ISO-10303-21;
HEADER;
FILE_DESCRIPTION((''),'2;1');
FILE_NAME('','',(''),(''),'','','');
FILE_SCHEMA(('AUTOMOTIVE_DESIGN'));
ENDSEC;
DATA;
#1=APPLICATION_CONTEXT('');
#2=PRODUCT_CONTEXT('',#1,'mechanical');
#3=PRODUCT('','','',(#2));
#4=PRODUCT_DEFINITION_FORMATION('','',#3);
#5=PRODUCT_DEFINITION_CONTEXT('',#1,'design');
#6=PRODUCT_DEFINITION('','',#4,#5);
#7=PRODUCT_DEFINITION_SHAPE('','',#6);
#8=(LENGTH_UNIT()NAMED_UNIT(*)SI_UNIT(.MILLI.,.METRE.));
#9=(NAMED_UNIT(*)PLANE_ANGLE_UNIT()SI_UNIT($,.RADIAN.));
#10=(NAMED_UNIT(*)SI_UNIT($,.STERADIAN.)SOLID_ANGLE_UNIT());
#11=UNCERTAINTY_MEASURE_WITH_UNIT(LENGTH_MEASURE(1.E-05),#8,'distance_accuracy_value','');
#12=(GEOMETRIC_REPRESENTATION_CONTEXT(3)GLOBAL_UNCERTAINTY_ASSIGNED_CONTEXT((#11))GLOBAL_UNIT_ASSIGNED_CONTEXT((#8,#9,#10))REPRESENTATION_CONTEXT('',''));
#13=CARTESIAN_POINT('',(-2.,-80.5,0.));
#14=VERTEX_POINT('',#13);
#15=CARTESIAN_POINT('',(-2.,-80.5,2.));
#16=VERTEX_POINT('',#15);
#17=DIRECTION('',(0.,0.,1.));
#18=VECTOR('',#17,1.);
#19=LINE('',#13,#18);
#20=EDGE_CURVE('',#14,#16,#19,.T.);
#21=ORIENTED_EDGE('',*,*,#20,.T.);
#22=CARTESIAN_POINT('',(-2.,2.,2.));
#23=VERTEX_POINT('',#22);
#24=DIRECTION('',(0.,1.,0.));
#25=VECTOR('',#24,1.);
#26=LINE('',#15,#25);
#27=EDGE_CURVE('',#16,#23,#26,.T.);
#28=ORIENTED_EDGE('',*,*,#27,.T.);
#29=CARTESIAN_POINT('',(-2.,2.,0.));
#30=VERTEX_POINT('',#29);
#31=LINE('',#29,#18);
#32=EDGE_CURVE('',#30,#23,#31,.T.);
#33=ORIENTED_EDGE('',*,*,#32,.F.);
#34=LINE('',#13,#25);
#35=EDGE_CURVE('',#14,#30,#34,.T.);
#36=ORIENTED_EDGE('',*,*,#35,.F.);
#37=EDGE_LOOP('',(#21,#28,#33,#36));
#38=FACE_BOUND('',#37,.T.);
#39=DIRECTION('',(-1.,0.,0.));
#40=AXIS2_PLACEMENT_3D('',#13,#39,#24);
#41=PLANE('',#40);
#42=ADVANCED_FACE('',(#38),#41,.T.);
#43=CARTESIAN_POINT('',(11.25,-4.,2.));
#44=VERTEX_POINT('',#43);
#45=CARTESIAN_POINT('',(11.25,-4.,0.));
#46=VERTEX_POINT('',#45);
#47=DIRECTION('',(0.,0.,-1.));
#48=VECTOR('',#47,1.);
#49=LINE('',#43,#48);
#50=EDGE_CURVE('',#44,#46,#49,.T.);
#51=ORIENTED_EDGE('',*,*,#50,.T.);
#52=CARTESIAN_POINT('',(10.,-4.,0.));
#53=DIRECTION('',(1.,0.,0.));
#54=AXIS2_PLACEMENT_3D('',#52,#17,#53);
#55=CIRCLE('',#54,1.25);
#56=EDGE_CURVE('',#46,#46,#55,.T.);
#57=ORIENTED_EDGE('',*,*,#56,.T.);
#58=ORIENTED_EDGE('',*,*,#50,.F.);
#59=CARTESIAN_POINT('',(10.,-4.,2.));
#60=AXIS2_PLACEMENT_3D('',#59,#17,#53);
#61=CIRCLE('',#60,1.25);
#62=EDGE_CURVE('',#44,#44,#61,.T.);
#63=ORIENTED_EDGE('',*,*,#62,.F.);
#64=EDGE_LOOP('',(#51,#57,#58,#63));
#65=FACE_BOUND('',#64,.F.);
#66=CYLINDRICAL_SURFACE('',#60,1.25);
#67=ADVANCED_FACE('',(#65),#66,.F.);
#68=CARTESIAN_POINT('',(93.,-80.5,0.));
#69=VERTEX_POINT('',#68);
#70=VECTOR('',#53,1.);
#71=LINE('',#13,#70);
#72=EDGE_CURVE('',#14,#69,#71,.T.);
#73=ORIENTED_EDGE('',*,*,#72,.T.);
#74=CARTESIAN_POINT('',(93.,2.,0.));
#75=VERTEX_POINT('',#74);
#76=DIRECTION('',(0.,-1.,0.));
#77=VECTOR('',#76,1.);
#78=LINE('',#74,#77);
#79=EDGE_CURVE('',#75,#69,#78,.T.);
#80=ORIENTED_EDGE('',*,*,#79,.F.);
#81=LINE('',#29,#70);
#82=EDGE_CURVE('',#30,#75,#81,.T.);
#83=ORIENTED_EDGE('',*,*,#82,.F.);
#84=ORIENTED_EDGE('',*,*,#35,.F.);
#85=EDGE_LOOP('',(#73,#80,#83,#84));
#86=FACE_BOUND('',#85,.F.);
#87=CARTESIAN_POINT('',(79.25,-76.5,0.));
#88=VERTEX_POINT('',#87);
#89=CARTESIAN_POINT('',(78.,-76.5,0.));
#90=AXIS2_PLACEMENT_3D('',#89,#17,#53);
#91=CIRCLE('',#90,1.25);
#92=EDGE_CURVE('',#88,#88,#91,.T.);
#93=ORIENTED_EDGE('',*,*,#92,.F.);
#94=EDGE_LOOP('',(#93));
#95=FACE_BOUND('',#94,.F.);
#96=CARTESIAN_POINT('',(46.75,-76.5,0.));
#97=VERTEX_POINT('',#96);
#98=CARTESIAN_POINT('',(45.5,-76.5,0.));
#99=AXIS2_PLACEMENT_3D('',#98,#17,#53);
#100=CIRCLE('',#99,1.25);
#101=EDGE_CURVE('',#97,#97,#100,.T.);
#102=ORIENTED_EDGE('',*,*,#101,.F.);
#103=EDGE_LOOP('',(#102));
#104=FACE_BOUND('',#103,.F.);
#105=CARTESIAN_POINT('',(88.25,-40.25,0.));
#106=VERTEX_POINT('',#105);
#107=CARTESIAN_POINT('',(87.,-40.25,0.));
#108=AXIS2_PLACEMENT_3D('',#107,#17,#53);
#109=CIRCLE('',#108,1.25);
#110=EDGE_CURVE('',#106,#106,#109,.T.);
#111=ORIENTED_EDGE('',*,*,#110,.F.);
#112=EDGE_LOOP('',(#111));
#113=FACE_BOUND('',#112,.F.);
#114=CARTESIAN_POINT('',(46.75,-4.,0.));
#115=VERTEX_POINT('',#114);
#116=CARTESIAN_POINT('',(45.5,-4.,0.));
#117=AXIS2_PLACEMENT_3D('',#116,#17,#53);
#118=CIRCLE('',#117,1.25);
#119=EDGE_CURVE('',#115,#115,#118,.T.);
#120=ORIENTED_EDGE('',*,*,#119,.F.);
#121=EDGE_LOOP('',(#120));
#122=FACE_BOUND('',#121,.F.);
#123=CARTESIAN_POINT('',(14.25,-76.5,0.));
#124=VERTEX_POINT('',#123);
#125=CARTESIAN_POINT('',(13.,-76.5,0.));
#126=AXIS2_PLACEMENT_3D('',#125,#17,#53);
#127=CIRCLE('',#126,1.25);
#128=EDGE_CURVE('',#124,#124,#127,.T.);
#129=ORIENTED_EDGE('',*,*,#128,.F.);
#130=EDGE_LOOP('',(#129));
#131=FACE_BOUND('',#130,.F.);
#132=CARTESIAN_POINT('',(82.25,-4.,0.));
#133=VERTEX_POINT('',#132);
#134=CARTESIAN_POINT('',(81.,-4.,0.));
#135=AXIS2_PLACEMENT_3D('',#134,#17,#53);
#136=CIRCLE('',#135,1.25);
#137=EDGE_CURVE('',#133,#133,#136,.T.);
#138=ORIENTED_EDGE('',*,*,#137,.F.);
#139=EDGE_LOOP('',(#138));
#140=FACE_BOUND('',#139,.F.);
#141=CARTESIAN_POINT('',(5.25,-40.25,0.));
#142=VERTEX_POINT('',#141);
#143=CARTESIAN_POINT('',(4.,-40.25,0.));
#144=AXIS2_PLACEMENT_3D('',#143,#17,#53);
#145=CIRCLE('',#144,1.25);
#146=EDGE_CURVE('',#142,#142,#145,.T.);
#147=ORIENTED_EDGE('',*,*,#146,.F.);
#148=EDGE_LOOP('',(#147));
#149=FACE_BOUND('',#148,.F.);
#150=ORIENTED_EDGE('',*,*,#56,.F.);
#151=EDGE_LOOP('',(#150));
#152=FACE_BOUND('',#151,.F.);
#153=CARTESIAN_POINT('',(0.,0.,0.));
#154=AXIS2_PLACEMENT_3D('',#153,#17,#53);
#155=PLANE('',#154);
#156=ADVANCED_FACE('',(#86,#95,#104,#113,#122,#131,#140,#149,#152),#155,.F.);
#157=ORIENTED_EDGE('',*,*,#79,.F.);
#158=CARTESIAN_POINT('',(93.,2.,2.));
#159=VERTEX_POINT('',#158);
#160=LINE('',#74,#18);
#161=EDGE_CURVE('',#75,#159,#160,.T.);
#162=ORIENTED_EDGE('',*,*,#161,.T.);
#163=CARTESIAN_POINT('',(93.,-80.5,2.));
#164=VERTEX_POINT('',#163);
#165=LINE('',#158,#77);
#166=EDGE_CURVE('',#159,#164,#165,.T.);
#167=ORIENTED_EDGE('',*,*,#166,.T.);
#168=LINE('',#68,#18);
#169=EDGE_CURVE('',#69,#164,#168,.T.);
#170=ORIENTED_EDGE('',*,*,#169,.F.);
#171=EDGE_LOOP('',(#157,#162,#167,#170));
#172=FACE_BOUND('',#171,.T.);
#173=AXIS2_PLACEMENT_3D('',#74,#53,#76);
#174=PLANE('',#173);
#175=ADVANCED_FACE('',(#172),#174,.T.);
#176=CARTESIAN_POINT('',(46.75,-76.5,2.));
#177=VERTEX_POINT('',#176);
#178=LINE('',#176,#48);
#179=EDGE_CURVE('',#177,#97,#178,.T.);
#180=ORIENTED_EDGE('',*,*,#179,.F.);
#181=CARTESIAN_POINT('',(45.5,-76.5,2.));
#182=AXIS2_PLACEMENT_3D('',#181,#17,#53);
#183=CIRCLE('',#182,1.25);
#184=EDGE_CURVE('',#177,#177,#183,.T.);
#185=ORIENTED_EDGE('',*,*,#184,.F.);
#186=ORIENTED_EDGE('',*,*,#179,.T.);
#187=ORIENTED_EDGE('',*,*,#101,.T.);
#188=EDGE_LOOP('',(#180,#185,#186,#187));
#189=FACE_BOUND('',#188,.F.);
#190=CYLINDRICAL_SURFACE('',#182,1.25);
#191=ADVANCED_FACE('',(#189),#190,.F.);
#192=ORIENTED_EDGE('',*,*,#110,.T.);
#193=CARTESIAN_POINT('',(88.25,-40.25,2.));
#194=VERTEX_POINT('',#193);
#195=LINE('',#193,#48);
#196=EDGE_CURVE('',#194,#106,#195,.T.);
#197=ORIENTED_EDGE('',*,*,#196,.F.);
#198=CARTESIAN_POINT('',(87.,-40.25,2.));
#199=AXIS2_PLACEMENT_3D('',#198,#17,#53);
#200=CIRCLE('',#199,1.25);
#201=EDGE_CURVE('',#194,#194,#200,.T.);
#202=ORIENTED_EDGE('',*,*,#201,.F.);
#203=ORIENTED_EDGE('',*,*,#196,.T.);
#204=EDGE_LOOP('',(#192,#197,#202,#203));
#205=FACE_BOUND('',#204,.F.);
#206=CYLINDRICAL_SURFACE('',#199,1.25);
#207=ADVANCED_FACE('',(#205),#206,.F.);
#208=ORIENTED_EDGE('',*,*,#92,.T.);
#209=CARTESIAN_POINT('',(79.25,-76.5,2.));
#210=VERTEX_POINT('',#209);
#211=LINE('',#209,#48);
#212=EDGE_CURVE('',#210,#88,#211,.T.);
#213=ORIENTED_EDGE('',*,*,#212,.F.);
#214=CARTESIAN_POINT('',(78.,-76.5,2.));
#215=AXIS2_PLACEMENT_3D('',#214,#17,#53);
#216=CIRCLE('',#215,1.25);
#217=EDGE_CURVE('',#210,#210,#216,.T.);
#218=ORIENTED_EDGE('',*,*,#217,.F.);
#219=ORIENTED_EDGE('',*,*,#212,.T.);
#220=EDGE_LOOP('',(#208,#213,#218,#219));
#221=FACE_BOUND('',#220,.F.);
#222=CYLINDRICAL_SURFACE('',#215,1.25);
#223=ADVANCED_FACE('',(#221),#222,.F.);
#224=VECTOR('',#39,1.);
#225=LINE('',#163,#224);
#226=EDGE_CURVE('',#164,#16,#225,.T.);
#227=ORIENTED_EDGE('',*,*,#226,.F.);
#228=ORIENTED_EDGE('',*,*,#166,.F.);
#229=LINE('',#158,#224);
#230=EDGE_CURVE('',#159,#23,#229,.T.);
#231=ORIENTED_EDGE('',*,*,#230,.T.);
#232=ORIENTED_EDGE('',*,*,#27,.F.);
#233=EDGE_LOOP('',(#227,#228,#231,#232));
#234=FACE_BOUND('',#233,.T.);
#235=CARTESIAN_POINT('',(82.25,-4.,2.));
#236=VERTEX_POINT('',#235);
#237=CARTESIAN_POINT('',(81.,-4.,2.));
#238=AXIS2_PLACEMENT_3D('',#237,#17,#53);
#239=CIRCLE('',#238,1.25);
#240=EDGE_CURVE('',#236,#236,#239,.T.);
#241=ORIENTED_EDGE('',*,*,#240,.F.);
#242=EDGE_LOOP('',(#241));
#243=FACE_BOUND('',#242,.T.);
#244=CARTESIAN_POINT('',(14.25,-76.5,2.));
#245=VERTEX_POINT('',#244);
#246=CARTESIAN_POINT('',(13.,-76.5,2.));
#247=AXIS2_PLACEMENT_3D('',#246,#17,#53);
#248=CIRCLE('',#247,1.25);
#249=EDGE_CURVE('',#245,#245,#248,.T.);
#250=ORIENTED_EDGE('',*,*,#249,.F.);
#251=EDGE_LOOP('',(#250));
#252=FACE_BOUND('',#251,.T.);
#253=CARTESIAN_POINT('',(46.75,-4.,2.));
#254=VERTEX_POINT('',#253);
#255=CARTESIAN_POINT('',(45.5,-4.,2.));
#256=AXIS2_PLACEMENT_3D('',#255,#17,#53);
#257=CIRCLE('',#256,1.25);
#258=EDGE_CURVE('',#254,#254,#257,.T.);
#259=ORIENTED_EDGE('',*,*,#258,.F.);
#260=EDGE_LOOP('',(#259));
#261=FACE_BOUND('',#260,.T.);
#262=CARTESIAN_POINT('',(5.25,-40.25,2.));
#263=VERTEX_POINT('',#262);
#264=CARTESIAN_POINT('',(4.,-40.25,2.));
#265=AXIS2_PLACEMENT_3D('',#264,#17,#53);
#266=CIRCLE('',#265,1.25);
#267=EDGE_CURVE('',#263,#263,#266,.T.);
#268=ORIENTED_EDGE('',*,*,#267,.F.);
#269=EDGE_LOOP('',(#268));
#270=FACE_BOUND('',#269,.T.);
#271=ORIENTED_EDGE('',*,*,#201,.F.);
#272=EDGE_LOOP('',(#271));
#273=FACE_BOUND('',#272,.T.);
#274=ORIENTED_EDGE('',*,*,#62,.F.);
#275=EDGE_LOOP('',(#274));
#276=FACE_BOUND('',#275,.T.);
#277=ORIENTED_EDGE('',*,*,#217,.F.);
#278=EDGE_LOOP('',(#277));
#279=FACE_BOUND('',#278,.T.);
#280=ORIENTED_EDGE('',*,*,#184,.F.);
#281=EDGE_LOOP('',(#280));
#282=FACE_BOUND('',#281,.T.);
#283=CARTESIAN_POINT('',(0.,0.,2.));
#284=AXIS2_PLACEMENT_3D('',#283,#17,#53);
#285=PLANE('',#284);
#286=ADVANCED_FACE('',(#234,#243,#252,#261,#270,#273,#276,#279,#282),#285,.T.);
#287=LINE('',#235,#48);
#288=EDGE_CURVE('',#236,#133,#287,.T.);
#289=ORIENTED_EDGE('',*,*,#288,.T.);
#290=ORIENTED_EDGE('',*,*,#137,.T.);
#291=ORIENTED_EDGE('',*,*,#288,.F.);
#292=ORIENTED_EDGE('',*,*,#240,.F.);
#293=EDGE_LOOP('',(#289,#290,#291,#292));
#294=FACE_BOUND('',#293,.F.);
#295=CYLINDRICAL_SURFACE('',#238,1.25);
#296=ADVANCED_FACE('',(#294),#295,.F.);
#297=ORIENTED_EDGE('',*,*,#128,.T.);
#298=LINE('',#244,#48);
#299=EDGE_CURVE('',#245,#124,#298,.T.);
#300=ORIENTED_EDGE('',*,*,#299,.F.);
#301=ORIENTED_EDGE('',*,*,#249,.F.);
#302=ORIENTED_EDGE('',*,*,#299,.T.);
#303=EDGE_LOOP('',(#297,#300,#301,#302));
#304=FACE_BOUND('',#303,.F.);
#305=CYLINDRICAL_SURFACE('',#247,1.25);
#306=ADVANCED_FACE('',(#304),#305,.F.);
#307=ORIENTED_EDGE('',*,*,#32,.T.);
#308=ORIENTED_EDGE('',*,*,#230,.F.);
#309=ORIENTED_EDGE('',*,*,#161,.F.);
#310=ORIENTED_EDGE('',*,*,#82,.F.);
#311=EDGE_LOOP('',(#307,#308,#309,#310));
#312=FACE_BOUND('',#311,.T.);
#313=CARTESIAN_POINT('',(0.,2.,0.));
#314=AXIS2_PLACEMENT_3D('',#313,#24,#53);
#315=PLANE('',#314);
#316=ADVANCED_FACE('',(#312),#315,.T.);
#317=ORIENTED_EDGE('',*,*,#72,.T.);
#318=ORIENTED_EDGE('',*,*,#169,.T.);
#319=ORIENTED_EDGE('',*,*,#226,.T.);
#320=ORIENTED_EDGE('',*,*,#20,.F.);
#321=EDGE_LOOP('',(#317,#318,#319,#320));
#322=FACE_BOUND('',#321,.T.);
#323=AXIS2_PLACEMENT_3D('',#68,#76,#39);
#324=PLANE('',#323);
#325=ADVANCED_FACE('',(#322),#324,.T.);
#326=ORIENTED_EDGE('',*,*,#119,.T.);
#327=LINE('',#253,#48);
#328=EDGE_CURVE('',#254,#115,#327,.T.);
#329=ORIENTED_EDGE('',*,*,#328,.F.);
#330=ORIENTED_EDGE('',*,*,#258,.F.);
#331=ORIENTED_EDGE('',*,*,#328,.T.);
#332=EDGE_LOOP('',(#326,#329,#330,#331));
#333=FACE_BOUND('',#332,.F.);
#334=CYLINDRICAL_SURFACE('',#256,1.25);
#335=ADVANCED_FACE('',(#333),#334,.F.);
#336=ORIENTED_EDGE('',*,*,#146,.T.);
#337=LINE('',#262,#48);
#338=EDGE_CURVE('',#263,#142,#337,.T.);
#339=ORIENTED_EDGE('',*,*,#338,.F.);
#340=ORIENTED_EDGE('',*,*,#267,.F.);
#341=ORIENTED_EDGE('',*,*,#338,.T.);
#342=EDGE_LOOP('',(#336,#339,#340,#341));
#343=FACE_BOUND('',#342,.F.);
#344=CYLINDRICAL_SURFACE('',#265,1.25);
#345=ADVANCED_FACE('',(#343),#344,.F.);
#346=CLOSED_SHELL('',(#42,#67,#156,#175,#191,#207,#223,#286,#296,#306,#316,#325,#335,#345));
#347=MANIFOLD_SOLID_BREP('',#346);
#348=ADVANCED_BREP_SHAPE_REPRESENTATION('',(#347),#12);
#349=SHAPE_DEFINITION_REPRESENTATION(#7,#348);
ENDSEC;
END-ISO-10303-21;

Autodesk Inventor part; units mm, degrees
ref_plane "YZ Plane" through (0, 0, 0) normal (1, 0, 0) x (0, 1, 0)
ref_plane "XZ Plane" through (0, 0, 0) normal (0, 1, 0) x (-1, 0, 0)
ref_plane "XY Plane" through (0, 0, 0) normal (0, 0, 1) x (1, 0, 0)
ref_plane "Work Plane1" through (0, 0, 0) normal (0, 0, 1) x (1, 0, 0)
sketch "Sketch1" plane through (0, 0, 0) normal (0, 0, 1) x (1, 0, 0)
  line L0 (93, -80.5) -> (83, -80.5) projected
  line L1 (93, 2) -> (93, -80.5) projected
  line L2 (-2, -80.5) -> (-2, 2) projected
  line L3 (0, 2) -> (-2, 2) projected
  circle A0 centre (45.5, -4) radius 0.75 projected
  circle A1 centre (81, -4) radius 0.75 projected
  circle A2 centre (10, -4) radius 0.75 projected
  circle A3 centre (4, -40.25) radius 0.75 projected
  circle A4 centre (4, -70.5) radius 0.75 projected
  circle A5 centre (87, -40.25) radius 0.75 projected
  circle A6 centre (81, -76.5) radius 1.25 projected
  circle A7 centre (45.5, -76.5) radius 1.25 projected
  circle A8 centre (10, -76.5) radius 1.25 projected
  line L4 (93, -80.5) -> (-2, -80.5)
  line L5 (-2, -80.5) -> (-2, 2)
  line L6 (-2, 2) -> (93, 2)
  line L7 (93, 2) -> (93, -80.5)
  point P0 (0, 0)
  point P1 (87.75, -75.5)
extrude "Extrusion1" add sketch "Sketch1" along normal blind 2
sketch "Sketch2" plane through (0, 0, 2) normal (0, 0, 1) x (1, 0, 0)
  circle A0 centre (4, -70.5) radius 0.75 projected
  circle A1 centre (4, -70.5) radius 1.25
  circle A2 centre (4, -40.25) radius 0.75 projected
  circle A3 centre (4, -40.25) radius 1.25
  circle A4 centre (10, -4) radius 0.75 projected
  circle A5 centre (10, -4) radius 1.25
  circle A6 centre (45.5, -4) radius 0.75 projected
  circle A7 centre (45.5, -4) radius 1.25
  circle A8 centre (81, -4) radius 0.75 projected
  circle A9 centre (81, -4) radius 1.25
  circle A10 centre (87, -40.25) radius 0.75 projected
  circle A11 centre (87, -40.25) radius 1.25
  point P0 (0, 0)
  dimension "d2" = 2.5
  dimension "d3" = 2.5
  dimension "d4" = 2.5
  dimension "d5" = 2.5
  dimension "d6" = 2.5
  dimension "d7" = 2.5
extrude "Extrusion2" cut sketch "Sketch2" against normal blind 2
sketch "Sketch3" plane through (0, 0, 2) normal (0, 0, 1) x (1, 0, 0)
  circle A0 centre (4, -70.5) radius 1.25 projected
  circle A1 centre (4, -70.5) radius 1.25
  point P0 (0, 0)
extrude "Extrusion3" add sketch "Sketch3" against normal blind 2
sketch "Sketch4" plane through (0, 0, 2) normal (0, 0, 1) x (1, 0, 0)
  line L0 (8.2244, -73.6994) -> (84.6233, -73.6994)
  line L1 (84.6233, -73.6994) -> (84.6233, -78.8307)
  line L2 (84.6233, -78.8307) -> (8.2244, -78.8307)
  line L3 (8.2244, -78.8307) -> (8.2244, -73.6994)
  point P0 (0, 0)
extrude "Extrusion4" add sketch "Sketch4" against normal blind 2
sketch "Sketch5" plane through (0, 0, 2) normal (0, 0, 1) x (1, 0, 0)
  line L0 (3.25, -80.5) -> (3.25, -75.5)
  line L1 (83, -80.5) -> (83, -65.5) projected
  circle A0 centre (45.5, -76.5) radius 1.25 projected
  line L2 (83, -72.5) -> (83, -80.5)
  circle A1 centre (78, -76.5) radius 1.25
  line L3 (8, -80.5) -> (8, -65.5) projected
  line L4 (8, -72.5) -> (8, -80.5)
  circle A2 centre (13, -76.5) radius 1.25
  point P0 (0, 0)
  dimension "d21" = 2.5
  dimension "d25" = 2.5
extrude "Extrusion5" cut sketch "Sketch5" against normal blind 2
properties part number "UP" material "Nylon 6/6"
